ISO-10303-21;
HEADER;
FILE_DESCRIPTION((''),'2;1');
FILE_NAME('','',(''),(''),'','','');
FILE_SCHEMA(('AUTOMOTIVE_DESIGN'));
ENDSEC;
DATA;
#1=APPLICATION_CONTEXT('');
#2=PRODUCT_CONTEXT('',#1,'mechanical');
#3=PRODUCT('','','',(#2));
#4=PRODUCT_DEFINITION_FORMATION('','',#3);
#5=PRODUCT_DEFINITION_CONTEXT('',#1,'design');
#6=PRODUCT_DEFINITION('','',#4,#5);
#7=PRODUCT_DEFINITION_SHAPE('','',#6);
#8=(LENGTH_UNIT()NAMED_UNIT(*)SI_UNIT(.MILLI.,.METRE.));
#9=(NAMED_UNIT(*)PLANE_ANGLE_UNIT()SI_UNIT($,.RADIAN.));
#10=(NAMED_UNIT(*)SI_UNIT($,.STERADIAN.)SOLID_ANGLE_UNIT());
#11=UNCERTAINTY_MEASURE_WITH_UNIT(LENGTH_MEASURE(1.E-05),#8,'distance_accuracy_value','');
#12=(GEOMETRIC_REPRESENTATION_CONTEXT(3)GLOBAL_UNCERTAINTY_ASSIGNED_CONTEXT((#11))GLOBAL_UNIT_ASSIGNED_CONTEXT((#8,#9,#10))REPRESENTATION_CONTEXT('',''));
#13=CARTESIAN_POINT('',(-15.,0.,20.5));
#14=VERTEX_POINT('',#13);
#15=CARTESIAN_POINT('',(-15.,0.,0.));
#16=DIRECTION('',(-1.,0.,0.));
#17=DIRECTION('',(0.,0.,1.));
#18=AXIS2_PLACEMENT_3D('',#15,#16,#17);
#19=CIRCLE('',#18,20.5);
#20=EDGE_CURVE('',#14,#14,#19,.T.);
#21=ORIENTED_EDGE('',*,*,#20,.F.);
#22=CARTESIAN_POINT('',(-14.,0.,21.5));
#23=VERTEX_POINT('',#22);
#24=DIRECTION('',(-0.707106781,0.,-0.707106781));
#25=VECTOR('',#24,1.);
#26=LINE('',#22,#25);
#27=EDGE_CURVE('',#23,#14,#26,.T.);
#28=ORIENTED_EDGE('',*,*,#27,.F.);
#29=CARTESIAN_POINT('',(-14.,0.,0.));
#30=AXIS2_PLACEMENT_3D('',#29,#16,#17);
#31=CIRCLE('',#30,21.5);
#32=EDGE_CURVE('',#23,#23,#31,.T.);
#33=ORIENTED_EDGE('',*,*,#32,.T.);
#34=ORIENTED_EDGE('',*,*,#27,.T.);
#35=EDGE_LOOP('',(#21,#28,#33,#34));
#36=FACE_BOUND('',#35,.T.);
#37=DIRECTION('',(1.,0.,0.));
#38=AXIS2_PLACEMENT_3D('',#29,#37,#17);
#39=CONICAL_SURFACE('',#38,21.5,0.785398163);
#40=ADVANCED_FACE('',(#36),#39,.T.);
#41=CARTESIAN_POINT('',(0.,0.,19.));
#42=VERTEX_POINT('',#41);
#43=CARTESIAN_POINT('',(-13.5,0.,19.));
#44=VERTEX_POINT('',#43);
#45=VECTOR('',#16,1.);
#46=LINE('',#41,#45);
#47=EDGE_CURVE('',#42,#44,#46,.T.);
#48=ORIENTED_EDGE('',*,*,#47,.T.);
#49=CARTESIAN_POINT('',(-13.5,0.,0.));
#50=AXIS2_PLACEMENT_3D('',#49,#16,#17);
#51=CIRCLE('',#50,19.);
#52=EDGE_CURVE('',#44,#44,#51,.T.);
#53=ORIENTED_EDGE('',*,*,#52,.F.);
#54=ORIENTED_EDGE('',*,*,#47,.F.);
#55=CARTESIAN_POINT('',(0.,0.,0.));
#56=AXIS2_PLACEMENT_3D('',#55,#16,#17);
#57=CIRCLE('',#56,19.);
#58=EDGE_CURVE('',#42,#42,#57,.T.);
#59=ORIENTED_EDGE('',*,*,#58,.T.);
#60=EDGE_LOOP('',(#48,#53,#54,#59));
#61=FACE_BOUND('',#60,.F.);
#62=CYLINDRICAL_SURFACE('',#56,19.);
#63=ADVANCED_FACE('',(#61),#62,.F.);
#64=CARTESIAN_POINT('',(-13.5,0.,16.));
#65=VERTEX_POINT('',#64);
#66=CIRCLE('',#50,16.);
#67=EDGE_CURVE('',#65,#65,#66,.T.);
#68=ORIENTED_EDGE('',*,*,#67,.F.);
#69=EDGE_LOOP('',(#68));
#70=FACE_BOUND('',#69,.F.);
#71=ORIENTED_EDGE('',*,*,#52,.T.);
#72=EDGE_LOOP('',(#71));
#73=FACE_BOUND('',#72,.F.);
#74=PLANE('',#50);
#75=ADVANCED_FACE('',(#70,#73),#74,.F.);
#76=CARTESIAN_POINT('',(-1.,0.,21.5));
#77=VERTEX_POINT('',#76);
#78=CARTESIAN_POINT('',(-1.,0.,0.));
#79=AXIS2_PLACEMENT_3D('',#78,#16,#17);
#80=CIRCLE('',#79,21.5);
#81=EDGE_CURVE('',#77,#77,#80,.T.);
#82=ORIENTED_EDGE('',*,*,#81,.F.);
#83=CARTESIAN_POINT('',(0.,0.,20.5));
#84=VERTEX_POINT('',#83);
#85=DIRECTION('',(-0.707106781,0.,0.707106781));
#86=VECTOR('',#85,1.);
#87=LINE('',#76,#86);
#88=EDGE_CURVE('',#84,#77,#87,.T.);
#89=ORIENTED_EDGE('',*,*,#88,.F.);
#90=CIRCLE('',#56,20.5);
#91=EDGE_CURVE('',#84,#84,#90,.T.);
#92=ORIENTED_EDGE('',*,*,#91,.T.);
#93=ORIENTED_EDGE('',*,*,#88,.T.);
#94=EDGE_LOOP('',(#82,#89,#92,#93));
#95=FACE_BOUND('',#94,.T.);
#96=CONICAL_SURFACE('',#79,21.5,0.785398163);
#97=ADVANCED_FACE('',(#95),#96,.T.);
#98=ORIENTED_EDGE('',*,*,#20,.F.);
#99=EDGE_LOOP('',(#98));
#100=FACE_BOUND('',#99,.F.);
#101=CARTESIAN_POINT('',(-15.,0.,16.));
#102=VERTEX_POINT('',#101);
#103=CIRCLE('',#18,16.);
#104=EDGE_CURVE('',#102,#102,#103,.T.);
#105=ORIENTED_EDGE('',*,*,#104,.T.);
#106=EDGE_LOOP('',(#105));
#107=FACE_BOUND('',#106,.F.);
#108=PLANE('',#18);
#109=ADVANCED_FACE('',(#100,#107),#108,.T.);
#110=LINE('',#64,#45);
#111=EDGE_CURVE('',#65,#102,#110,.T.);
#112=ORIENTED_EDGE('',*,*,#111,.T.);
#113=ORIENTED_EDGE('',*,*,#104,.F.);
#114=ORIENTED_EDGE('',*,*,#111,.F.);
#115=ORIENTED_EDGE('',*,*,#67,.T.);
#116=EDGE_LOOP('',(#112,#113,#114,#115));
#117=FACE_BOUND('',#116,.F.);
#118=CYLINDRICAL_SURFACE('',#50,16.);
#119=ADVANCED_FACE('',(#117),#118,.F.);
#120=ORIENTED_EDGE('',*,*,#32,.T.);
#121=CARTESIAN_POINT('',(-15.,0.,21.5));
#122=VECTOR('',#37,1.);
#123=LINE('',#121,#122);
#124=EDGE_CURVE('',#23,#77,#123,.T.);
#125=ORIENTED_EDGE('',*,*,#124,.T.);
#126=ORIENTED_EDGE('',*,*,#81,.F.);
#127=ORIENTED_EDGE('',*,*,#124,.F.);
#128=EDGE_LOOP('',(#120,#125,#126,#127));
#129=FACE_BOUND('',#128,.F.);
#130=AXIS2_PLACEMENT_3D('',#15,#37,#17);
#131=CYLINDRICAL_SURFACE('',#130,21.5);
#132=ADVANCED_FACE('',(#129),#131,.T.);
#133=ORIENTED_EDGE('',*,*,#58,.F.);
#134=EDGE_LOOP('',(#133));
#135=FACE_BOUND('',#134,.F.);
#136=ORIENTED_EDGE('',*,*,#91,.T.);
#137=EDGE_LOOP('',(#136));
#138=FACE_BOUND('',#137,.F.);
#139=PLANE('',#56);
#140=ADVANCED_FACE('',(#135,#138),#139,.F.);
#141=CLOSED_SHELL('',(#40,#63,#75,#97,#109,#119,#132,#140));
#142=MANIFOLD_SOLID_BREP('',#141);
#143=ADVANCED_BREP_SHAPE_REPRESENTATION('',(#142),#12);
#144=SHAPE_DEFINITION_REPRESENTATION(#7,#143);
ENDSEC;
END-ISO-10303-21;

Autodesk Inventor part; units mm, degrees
ref_plane "YZ Plane" through (0, 0, 0) normal (1, 0, 0) x (0, 1, 0)
ref_plane "XZ Plane" through (0, 0, 0) normal (0, 1, 0) x (-1, 0, 0)
ref_plane "XY Plane" through (0, 0, 0) normal (0, 0, 1) x (1, 0, 0)
sketch "Sketch1" plane through (0, 0, 0) normal (0, 1, 0) x (-1, 0, 0)
  line L0 (0, 0) -> (15, 0)
  line L1 (15, 16) -> (15, 21.5)
  line L2 (15, 21.5) -> (0, 21.5)
  line L3 (0, 21.5) -> (0, 19)
  line L4 (0, 19) -> (13.5, 19)
  line L5 (13.5, 19) -> (13.5, 16)
  line L6 (13.5, 16) -> (15, 16)
  dimension "d0" = 38
  dimension "d1" = 2.5
  dimension "d2" = 15
  dimension "d3" = 1.5
  dimension "d6" = 32
revolve "Revolution1" add sketch "Sketch1" angle 360 about axis through (0, 0, 0) along (-1, 0, 0)
chamfer "Chamfer1" distance 1 angle 45 2 edges at (0, 0, -21.5) (-15, 0, -21.5)
properties part number "031" material "Aluminum 6061"
